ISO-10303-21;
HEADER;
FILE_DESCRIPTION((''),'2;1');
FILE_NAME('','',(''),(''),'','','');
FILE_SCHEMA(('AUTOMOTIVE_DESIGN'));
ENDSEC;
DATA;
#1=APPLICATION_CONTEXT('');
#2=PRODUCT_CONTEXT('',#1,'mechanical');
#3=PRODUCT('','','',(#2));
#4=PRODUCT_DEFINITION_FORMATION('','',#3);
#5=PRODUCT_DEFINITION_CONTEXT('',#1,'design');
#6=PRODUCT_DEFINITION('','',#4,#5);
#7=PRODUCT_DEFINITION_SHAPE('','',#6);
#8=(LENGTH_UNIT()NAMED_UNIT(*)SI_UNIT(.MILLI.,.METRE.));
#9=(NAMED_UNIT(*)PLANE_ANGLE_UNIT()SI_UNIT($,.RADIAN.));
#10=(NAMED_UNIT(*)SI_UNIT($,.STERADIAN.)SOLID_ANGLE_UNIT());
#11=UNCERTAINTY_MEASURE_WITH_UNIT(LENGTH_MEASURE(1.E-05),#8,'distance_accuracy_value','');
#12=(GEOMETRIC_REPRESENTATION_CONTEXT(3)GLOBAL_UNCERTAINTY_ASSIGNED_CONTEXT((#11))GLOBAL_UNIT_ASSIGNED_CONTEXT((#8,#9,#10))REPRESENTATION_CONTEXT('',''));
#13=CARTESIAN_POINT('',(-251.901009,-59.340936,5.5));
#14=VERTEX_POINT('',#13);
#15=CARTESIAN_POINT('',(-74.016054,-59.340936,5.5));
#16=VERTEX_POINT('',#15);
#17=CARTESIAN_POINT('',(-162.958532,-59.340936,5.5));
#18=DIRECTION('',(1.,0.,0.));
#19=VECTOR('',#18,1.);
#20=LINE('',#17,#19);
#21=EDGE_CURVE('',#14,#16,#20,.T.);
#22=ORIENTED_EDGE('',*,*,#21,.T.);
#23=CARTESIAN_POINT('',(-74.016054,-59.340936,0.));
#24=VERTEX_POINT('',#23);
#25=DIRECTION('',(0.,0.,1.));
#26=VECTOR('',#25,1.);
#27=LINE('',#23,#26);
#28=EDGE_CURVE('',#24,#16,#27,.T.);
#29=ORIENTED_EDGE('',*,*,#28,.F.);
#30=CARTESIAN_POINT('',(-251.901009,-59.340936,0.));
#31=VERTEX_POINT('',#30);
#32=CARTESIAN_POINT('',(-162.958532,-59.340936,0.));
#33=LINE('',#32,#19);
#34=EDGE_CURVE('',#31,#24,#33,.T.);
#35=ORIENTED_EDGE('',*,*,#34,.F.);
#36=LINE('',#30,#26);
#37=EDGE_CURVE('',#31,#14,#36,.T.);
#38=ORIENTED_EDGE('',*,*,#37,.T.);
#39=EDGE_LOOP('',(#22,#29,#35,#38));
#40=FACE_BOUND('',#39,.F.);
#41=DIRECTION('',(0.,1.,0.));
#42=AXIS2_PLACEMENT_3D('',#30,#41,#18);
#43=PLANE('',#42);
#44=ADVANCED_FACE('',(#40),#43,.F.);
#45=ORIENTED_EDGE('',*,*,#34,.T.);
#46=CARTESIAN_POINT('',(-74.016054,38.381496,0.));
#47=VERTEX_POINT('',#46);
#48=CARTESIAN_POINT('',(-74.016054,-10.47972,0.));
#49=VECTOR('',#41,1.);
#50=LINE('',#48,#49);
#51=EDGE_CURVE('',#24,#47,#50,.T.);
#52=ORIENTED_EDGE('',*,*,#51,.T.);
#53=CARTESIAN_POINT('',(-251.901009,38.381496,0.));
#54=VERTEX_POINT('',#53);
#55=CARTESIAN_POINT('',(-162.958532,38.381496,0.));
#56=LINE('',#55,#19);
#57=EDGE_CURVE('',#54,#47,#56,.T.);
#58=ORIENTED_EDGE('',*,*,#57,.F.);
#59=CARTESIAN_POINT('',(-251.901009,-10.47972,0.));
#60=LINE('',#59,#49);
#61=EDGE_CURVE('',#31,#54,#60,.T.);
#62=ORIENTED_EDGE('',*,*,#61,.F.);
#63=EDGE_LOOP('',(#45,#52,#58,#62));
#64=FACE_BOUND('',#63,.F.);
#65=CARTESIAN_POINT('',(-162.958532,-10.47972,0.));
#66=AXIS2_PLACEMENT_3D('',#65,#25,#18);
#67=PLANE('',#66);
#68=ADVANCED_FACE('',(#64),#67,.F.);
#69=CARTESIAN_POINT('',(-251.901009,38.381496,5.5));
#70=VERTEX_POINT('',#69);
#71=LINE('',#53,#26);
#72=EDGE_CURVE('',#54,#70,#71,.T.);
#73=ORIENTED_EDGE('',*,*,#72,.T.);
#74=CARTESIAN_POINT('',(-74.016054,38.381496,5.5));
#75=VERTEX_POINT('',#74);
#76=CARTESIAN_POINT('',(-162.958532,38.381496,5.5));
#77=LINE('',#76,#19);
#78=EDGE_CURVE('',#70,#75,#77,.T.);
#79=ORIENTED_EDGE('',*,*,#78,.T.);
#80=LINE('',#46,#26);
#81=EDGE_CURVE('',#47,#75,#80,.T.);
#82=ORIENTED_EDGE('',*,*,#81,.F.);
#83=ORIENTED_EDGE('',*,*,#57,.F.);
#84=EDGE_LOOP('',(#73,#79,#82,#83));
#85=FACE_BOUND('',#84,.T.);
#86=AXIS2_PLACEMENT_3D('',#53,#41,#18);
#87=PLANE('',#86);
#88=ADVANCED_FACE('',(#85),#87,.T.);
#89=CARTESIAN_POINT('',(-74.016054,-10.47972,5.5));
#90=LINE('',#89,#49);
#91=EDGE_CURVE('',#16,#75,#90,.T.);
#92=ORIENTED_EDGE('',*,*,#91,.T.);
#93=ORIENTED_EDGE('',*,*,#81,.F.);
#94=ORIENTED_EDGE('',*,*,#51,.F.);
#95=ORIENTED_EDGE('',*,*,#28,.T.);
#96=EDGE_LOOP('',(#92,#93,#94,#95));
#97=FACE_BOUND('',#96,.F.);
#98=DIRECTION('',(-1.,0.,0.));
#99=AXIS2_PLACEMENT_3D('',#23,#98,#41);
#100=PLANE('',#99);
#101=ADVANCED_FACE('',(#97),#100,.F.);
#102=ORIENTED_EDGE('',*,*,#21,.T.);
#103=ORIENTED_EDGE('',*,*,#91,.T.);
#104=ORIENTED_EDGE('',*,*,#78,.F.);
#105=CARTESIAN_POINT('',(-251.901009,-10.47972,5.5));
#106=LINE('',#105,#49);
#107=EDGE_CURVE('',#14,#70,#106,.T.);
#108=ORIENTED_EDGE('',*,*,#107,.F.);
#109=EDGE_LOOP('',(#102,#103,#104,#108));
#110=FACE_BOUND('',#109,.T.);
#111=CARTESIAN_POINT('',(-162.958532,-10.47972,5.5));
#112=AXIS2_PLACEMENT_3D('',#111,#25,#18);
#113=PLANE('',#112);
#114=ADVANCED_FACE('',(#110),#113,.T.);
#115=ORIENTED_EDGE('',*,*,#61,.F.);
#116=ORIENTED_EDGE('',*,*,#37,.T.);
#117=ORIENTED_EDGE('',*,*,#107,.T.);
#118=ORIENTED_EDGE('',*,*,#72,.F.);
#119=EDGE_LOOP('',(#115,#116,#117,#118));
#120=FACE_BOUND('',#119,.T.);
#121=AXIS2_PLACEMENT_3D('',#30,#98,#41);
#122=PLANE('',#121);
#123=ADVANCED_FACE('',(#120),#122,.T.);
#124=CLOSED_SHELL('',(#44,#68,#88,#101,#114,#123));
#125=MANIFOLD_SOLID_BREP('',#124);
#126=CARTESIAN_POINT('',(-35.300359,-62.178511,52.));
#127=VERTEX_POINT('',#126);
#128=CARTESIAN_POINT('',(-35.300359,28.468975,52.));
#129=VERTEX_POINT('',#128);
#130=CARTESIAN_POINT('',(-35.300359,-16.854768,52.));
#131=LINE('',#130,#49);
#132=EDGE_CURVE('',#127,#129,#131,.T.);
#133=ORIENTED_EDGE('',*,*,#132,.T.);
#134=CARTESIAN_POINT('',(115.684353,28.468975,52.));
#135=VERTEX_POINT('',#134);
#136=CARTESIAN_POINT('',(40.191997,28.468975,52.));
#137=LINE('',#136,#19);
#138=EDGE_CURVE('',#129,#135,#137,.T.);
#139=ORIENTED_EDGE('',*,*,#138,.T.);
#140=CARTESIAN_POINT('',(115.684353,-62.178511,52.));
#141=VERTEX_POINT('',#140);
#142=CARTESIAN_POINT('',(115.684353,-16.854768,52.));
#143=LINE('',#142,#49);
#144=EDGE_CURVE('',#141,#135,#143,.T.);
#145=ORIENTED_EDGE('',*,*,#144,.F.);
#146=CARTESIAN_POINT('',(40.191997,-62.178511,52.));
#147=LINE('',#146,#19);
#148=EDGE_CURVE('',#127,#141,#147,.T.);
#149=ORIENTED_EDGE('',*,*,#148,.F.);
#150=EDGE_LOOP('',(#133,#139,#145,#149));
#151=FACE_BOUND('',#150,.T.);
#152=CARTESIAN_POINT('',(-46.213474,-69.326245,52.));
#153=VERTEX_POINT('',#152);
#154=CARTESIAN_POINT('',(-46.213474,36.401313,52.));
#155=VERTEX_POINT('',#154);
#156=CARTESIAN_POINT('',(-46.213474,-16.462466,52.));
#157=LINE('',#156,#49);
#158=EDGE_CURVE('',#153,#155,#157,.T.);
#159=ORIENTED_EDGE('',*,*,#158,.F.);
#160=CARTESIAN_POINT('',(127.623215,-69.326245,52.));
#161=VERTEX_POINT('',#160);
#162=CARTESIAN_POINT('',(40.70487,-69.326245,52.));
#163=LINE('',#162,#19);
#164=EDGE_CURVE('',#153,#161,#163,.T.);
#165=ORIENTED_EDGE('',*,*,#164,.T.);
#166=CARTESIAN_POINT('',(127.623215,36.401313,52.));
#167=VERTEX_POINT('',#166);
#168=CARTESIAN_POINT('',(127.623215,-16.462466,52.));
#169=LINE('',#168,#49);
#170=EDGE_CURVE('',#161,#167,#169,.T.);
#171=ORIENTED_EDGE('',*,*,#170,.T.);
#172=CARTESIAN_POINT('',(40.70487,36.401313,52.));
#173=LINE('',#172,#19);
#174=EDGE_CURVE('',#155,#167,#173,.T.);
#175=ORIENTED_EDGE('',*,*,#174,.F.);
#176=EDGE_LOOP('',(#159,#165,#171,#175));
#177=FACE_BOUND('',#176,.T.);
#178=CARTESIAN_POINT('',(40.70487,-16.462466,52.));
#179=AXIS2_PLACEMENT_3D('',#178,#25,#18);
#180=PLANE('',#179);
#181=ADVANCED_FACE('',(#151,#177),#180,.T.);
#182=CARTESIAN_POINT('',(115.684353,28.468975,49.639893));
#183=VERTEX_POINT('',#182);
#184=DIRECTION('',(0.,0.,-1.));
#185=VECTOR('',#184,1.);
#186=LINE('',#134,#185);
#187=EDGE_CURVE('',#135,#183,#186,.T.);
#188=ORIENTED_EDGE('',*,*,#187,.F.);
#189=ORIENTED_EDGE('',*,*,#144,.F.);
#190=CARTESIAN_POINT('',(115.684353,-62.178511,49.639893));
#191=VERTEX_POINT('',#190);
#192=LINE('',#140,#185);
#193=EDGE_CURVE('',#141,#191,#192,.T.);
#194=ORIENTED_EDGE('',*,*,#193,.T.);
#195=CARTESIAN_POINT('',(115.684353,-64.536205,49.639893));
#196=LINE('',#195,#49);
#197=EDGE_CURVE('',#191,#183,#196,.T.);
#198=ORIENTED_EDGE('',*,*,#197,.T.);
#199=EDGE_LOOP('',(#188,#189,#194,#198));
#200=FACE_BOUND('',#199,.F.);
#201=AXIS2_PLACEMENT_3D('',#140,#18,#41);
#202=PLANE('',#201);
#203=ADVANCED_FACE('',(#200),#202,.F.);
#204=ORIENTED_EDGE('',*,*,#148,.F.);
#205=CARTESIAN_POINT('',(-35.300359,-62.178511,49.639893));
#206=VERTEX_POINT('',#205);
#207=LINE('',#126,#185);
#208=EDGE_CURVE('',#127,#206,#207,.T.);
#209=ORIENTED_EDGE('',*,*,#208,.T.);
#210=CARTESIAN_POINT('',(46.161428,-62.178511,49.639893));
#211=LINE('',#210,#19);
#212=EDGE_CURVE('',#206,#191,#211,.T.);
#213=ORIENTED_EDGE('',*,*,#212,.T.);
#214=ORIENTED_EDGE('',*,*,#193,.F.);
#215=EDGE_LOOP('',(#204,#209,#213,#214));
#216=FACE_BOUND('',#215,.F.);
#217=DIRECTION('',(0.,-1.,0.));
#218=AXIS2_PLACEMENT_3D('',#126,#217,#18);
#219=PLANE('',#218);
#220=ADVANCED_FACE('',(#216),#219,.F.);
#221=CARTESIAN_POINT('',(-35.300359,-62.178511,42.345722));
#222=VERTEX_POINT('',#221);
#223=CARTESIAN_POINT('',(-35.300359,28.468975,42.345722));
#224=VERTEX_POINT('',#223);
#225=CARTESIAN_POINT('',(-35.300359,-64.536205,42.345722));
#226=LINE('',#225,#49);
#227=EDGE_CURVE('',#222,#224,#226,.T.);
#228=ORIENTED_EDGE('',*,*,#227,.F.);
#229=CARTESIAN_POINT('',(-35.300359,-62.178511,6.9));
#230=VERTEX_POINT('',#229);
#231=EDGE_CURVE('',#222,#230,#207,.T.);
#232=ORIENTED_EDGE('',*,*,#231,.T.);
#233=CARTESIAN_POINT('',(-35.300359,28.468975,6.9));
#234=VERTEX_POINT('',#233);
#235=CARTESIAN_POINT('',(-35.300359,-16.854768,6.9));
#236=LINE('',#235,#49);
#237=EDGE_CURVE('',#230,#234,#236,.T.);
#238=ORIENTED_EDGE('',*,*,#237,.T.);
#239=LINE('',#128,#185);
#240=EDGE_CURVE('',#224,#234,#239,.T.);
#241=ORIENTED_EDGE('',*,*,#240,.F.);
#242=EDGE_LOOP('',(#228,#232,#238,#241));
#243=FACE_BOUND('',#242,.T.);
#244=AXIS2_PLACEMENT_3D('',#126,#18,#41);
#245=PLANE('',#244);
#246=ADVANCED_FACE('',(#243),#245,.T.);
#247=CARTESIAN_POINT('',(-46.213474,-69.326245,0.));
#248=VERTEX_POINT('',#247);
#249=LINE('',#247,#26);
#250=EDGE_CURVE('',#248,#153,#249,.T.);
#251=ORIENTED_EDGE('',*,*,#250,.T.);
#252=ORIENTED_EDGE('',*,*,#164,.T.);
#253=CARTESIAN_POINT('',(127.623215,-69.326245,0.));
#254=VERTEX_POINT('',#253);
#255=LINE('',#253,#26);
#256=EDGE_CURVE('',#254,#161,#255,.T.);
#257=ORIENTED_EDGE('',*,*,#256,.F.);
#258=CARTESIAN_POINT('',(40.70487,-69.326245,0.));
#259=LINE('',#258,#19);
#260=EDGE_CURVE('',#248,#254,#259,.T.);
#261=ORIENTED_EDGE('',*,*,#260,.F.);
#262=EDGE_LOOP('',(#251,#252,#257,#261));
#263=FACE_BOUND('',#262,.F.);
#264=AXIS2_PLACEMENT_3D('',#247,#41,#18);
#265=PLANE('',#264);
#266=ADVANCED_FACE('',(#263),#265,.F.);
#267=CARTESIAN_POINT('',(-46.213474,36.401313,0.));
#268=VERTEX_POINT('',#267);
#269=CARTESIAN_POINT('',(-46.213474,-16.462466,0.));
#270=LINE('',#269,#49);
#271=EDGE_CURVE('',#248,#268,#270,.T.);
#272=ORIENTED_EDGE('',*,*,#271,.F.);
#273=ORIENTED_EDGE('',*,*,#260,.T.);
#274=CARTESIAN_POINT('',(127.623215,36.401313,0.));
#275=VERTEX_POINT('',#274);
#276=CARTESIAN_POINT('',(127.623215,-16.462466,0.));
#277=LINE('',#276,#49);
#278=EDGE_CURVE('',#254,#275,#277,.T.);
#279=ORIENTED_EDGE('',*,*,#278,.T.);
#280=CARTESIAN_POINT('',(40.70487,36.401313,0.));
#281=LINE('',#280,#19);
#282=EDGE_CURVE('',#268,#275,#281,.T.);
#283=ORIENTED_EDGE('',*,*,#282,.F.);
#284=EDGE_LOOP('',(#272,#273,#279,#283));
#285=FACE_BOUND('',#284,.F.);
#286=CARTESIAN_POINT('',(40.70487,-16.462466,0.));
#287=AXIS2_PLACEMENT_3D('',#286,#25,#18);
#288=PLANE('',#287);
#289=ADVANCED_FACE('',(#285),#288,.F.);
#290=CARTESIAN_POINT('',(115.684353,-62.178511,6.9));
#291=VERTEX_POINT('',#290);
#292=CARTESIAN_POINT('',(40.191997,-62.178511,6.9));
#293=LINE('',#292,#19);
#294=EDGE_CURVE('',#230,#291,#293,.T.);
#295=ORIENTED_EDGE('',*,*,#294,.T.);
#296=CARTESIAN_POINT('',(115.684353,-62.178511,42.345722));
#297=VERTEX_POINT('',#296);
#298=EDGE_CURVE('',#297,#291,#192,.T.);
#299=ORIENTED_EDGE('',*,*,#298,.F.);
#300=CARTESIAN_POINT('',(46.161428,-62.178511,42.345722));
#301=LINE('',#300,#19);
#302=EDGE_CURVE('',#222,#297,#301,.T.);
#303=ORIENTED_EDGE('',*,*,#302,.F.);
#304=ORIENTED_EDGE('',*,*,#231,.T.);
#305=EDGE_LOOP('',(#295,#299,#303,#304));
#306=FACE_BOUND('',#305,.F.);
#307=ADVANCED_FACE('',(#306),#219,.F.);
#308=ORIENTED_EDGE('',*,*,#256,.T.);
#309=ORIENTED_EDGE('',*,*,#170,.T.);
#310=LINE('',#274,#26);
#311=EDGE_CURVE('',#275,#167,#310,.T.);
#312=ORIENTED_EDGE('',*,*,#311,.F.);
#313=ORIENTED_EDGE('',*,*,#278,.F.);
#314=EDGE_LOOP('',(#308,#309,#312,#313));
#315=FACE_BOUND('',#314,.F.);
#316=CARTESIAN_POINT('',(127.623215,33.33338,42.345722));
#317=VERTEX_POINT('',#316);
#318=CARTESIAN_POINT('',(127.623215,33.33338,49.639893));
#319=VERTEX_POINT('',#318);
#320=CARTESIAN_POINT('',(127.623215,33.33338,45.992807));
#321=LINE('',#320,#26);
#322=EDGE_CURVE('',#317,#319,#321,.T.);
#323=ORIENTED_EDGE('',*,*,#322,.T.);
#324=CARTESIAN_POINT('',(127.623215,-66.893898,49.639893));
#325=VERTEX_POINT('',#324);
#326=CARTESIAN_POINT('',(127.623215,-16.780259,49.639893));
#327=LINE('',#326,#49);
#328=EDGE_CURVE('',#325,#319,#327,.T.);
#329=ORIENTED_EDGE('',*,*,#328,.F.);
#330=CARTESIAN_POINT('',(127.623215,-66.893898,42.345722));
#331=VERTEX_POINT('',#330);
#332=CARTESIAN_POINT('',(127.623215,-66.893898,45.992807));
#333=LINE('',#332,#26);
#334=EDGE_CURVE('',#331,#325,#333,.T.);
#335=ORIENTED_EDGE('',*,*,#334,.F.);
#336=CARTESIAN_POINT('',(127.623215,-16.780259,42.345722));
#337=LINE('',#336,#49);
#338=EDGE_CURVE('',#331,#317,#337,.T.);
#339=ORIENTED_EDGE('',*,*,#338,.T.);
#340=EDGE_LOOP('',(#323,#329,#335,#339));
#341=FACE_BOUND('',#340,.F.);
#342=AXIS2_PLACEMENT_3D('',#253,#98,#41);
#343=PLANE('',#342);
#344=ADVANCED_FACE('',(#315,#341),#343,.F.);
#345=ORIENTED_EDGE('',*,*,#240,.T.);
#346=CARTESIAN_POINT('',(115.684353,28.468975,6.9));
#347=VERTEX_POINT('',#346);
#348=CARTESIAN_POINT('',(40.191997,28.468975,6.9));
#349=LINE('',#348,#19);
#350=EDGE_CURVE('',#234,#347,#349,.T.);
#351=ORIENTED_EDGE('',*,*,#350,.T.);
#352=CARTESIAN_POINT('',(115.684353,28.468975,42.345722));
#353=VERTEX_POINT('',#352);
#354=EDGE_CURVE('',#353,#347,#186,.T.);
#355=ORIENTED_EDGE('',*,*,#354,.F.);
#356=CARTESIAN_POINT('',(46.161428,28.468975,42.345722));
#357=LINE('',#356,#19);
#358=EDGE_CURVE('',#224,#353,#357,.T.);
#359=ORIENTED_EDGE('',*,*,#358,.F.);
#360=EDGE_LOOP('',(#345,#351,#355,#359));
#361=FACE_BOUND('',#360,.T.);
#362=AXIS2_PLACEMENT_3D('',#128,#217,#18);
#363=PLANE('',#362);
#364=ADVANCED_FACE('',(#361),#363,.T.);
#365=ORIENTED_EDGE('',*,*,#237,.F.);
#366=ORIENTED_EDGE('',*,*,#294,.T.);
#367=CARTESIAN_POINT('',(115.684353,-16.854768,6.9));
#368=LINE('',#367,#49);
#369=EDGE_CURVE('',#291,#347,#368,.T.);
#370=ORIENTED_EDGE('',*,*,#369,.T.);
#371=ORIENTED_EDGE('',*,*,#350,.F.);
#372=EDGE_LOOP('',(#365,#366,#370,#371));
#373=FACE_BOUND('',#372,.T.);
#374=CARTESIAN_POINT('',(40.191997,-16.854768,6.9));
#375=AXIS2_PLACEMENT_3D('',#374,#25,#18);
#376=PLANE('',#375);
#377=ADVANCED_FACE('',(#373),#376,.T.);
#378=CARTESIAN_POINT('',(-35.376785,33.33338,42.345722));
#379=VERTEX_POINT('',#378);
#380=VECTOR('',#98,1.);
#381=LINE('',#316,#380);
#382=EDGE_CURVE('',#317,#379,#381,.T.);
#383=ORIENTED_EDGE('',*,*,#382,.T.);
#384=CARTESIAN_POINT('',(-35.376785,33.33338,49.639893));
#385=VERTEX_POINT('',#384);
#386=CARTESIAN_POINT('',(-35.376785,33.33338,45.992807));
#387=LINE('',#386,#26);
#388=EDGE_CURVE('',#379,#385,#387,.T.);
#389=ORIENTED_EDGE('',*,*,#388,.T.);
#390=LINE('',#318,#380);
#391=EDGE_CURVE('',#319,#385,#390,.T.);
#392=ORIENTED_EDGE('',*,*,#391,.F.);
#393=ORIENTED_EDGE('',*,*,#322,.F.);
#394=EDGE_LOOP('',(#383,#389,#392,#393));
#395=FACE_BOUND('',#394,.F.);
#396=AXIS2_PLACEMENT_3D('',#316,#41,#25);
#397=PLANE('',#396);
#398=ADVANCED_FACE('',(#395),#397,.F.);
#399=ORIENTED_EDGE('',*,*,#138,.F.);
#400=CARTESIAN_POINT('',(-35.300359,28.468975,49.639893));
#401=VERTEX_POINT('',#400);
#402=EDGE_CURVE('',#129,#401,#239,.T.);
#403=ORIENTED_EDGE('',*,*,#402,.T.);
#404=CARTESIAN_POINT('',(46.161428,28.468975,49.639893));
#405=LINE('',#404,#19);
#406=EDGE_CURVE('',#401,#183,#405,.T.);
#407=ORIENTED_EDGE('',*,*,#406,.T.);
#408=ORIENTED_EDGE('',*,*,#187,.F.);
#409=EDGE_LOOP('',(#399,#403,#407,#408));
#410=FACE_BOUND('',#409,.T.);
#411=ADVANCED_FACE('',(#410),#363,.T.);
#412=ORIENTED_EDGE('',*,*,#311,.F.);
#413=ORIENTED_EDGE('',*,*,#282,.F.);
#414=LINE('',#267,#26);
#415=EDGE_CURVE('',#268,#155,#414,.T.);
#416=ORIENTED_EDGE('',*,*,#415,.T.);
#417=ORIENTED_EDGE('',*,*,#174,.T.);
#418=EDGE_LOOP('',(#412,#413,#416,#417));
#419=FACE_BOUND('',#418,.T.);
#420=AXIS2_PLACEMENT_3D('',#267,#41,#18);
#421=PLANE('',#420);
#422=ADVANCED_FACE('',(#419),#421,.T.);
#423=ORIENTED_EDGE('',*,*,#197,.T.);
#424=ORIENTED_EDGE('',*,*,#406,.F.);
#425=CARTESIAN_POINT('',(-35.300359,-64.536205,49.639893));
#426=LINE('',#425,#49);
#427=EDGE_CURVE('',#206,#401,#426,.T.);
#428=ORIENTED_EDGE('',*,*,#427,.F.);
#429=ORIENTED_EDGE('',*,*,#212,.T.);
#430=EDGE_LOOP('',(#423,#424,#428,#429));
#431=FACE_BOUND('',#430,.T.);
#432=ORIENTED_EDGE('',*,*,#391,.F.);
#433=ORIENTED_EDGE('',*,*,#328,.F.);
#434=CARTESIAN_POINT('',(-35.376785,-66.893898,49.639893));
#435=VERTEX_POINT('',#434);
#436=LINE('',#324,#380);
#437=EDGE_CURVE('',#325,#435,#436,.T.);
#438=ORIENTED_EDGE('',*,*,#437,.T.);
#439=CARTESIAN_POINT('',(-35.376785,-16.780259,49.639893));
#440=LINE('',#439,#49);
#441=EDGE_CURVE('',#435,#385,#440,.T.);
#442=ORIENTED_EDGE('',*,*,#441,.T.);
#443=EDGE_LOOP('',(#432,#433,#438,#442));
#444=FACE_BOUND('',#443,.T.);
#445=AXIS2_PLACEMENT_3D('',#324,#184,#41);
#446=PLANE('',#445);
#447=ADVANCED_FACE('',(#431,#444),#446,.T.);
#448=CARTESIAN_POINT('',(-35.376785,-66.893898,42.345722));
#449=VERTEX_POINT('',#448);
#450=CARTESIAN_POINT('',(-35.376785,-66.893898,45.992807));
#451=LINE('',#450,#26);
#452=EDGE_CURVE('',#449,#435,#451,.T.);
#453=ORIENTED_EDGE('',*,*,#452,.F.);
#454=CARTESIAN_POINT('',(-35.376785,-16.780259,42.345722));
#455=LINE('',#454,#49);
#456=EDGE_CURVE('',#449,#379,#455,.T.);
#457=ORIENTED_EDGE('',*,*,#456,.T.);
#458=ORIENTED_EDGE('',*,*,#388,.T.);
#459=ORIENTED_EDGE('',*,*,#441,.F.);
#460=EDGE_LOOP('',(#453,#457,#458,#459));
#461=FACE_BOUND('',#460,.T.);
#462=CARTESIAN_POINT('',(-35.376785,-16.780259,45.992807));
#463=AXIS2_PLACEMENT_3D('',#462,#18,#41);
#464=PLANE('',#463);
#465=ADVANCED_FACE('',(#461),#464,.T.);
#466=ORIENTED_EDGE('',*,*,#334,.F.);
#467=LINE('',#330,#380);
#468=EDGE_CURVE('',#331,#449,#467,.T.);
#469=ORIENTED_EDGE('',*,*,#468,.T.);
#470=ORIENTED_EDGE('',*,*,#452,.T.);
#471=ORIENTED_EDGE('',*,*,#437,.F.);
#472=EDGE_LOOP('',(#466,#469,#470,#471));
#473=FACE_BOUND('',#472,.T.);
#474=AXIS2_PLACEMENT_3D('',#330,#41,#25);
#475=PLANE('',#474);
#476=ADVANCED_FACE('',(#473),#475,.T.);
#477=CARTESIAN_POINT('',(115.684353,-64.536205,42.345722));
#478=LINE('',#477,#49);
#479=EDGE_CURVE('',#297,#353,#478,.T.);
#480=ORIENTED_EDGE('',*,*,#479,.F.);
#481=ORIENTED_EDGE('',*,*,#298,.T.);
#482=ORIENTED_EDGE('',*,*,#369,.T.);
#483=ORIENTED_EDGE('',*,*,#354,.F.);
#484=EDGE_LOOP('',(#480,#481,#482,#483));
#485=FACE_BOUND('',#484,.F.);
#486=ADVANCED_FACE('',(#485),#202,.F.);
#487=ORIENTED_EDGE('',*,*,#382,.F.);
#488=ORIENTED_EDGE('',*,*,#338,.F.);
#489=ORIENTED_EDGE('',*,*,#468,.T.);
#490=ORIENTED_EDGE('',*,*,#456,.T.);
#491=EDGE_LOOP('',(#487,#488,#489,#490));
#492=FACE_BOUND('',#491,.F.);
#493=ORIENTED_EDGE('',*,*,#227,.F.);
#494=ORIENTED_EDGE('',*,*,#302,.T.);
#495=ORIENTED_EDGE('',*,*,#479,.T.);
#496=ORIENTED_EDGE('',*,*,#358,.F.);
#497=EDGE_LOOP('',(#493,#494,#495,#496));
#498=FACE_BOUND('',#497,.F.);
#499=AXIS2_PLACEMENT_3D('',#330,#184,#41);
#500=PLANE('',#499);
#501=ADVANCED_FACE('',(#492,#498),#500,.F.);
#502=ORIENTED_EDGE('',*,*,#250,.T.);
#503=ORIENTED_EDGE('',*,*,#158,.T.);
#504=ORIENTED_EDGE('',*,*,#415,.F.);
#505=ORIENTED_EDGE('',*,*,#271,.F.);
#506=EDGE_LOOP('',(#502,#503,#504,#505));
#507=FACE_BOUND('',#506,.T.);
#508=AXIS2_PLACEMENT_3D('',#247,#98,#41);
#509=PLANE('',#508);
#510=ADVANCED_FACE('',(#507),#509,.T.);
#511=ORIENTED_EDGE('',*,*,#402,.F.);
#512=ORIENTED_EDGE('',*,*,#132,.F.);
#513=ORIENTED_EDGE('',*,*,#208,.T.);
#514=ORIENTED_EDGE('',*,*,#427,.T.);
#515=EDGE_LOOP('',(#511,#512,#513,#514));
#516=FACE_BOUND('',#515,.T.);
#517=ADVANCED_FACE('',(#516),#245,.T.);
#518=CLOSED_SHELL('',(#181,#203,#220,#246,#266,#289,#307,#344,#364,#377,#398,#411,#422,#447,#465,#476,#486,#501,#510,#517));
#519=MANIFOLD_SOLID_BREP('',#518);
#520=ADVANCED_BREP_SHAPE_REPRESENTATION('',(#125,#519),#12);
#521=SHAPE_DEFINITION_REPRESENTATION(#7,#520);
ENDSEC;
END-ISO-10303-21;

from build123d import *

# Parameters (mm, degrees)
F0_W     = 173.836689
F0_H     = 105.727557
F1_DEPTH = 52
F2_W     = 150.984712
F2_H     = 90.647487
F3_DEPTH = 45.1
F4_W     = 100.227278
F4_H     = 7.294171
F5_DEPTH = 163
F6_W     = 177.884955
F6_H     = 97.722433
F7_DEPTH = 5.5


with BuildPart() as f1:
    # F0 (on Top) → F1 (new body)
    with BuildSketch(Plane.XY):
        with Locations((40.70487, -16.462466)):
            Rectangle(F0_W, F0_H)
    extrude(amount=F1_DEPTH)

    # F2 (on face) → F3 (cut)
    with BuildSketch(Plane.XY.offset(52)):
        with Locations((40.191997, -16.854768)):
            Rectangle(F2_W, F2_H)
    extrude(amount=-F3_DEPTH, mode=Mode.SUBTRACT)

    # F4 (on face) → F5 (cut)
    with BuildSketch(Plane.YZ.offset(127.623215)):
        with Locations((-16.780259, 45.992807)):
            Rectangle(F4_W, F4_H)
    extrude(amount=-F5_DEPTH, mode=Mode.SUBTRACT)


with BuildPart() as f7:
    # F6 (on Top) → F7 (new body)
    with BuildSketch(Plane.XY):
        with Locations((-162.958532, -10.47972)):
            Rectangle(F6_W, F6_H)
    extrude(amount=F7_DEPTH)


solid = Compound([f1.part, f7.part])
